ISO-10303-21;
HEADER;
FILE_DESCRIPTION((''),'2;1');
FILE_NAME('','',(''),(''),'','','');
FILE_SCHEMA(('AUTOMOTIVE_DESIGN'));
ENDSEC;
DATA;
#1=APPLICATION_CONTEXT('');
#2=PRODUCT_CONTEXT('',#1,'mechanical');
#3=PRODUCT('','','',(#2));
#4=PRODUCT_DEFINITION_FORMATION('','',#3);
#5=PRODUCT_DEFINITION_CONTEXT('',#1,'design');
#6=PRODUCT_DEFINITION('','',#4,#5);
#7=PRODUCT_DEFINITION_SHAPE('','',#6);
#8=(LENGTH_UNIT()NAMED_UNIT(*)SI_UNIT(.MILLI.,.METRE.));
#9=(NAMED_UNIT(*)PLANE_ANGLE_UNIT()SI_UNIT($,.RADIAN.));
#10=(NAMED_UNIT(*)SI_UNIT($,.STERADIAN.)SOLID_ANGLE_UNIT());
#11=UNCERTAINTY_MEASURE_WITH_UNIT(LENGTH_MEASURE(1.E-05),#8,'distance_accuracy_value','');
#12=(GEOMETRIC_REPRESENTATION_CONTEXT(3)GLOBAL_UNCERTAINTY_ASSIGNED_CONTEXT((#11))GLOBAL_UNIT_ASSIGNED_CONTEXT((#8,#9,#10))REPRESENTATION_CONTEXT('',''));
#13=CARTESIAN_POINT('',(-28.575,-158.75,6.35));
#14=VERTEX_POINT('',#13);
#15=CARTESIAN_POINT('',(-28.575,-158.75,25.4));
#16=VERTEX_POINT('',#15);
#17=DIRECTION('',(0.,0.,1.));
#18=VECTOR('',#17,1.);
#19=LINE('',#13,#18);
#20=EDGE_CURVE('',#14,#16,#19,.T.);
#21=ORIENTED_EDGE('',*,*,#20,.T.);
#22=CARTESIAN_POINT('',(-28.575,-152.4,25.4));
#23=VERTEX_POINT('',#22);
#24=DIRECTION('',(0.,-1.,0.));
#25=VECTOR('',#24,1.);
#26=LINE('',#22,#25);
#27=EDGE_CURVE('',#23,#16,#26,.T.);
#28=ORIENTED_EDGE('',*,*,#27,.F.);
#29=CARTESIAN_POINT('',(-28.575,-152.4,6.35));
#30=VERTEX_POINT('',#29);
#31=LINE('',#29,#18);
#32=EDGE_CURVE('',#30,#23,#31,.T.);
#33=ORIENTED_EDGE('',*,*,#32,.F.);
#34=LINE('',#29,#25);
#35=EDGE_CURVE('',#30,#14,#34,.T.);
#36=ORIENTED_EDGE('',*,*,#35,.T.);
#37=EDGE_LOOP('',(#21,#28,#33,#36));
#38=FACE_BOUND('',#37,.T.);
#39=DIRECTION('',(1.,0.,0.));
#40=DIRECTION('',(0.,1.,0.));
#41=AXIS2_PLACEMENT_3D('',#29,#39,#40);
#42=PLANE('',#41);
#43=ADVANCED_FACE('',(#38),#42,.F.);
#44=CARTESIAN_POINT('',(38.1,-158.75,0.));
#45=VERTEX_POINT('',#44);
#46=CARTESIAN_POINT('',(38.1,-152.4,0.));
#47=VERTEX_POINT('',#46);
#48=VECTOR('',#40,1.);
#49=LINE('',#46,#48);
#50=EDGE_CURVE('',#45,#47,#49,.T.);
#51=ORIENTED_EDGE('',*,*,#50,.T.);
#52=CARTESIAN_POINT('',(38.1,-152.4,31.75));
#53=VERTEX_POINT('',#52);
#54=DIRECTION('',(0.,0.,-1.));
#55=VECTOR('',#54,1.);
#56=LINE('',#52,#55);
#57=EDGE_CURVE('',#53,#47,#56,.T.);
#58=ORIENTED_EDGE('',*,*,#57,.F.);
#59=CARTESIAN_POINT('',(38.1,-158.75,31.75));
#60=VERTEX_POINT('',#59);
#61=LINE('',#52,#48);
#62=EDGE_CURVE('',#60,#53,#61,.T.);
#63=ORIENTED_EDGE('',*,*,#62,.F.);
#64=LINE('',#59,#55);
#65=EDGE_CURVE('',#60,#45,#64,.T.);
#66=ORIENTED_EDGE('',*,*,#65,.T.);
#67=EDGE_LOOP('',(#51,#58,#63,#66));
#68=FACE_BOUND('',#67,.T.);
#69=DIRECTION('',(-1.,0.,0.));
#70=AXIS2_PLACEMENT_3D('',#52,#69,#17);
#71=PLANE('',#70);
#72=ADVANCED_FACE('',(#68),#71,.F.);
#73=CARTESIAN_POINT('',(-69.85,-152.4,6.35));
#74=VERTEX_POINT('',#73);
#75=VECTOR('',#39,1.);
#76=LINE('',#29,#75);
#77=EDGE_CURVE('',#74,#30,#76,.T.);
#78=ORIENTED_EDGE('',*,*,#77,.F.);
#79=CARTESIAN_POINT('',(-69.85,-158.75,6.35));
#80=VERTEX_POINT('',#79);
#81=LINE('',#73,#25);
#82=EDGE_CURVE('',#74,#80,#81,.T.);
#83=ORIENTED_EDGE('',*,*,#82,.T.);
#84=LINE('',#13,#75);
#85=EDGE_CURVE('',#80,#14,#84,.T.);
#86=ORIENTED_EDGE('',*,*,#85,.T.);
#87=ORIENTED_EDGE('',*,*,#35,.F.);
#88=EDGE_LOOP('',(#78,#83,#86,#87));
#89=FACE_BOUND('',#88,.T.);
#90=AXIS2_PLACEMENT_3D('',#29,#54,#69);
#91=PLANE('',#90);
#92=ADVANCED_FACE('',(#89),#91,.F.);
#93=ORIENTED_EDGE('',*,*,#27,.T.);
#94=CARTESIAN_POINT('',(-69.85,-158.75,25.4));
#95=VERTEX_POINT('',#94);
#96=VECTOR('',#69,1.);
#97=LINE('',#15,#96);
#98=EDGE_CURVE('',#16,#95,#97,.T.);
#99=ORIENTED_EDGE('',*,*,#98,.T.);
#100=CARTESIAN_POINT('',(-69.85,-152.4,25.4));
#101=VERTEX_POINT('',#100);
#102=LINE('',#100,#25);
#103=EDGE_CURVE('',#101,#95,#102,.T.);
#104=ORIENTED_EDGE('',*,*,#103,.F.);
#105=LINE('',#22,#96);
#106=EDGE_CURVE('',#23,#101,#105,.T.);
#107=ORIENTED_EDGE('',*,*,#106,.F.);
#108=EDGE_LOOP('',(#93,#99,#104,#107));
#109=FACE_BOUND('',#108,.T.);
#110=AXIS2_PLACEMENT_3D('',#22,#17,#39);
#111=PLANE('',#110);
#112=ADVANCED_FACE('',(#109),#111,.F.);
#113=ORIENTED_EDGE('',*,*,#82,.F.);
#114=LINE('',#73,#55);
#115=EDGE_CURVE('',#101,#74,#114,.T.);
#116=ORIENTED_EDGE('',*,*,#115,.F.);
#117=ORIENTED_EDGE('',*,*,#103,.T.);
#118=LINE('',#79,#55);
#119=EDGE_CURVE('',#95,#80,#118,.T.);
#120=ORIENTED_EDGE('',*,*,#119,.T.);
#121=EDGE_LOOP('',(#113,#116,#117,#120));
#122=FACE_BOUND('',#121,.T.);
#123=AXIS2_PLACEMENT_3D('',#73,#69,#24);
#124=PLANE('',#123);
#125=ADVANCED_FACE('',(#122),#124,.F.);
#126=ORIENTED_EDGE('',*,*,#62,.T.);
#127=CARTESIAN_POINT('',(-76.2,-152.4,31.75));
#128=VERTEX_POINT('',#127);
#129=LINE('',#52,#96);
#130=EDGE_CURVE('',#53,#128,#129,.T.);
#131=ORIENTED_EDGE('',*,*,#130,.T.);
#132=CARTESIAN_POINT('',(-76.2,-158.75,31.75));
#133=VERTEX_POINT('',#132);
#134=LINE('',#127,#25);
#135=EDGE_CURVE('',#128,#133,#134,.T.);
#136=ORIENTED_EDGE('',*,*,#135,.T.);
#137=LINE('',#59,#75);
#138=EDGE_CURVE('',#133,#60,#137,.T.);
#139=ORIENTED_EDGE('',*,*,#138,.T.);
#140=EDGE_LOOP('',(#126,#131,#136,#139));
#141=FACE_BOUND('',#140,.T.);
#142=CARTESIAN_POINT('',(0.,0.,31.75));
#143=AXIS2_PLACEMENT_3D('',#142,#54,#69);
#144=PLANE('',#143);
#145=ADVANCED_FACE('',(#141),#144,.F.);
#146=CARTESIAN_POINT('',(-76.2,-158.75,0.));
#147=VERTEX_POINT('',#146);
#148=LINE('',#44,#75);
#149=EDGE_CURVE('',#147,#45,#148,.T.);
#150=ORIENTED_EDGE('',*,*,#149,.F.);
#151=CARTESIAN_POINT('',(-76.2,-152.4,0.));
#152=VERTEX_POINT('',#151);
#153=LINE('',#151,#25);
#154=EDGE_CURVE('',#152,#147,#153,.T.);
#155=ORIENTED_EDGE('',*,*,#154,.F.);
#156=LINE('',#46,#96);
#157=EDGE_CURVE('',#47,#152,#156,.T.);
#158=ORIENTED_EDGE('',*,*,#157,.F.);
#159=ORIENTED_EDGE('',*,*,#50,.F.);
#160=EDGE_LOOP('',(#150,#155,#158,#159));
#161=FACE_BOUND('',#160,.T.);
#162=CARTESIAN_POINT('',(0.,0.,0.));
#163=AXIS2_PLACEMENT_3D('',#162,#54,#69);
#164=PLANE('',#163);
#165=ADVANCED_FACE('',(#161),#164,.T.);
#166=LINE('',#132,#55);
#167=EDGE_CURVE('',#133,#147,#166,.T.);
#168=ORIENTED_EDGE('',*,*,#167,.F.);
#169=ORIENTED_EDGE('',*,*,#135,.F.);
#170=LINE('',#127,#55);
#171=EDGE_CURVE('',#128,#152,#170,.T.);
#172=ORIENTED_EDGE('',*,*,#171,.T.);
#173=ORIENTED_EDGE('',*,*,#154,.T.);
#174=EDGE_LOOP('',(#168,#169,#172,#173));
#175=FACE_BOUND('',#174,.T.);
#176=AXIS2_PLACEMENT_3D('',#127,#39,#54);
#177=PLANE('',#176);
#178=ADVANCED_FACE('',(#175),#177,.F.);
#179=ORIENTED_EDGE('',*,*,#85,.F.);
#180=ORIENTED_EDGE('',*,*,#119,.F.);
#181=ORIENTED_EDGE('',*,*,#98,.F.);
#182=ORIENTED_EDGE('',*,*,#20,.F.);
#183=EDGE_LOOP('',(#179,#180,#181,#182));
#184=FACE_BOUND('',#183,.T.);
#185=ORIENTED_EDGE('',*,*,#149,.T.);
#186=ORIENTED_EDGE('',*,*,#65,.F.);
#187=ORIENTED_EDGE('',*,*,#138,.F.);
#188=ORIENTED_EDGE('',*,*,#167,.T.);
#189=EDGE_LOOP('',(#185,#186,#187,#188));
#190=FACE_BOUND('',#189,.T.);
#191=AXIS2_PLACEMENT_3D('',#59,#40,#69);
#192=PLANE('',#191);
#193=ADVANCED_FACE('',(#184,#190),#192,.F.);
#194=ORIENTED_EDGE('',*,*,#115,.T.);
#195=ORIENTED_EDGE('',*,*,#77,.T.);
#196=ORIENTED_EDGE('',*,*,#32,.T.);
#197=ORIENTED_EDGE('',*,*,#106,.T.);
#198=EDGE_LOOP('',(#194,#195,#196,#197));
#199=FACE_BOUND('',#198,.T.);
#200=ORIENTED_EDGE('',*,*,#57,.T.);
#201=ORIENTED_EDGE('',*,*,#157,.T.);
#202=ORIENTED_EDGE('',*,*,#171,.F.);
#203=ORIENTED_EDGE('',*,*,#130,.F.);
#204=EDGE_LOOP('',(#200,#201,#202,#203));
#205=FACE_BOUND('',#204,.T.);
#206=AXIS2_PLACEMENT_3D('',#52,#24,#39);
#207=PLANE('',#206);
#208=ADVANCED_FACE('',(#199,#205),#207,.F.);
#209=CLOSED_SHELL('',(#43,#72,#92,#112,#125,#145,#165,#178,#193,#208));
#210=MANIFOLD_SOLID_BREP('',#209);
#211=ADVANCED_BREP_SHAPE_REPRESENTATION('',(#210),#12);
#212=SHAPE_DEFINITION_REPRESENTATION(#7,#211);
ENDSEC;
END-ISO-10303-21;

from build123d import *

# Parameters (mm, degrees)
SKETCH1_W           = 114.3
SKETCH1_H           = 6.35
BOSS_EXTRUDE1_DEPTH = 31.75
SKETCH2_W           = 41.275
SKETCH2_H           = 19.05
CUT_EXTRUDE2_DEPTH  = 83.793870546


with BuildPart() as part:
    # Sketch1 → Boss-Extrude1 (new body)
    with BuildSketch(Plane.XY):
        with Locations((-19.05, -155.575)):
            Rectangle(SKETCH1_W, SKETCH1_H)
    extrude(amount=BOSS_EXTRUDE1_DEPTH)

    # Sketch2 → Cut-Extrude2 (cut, through all)
    with BuildSketch(Plane.XZ.offset(158.75)):
        with Locations((-49.2125, 15.875)):
            Rectangle(SKETCH2_W, SKETCH2_H)
    extrude(amount=-CUT_EXTRUDE2_DEPTH, mode=Mode.SUBTRACT)


solid = part.part
